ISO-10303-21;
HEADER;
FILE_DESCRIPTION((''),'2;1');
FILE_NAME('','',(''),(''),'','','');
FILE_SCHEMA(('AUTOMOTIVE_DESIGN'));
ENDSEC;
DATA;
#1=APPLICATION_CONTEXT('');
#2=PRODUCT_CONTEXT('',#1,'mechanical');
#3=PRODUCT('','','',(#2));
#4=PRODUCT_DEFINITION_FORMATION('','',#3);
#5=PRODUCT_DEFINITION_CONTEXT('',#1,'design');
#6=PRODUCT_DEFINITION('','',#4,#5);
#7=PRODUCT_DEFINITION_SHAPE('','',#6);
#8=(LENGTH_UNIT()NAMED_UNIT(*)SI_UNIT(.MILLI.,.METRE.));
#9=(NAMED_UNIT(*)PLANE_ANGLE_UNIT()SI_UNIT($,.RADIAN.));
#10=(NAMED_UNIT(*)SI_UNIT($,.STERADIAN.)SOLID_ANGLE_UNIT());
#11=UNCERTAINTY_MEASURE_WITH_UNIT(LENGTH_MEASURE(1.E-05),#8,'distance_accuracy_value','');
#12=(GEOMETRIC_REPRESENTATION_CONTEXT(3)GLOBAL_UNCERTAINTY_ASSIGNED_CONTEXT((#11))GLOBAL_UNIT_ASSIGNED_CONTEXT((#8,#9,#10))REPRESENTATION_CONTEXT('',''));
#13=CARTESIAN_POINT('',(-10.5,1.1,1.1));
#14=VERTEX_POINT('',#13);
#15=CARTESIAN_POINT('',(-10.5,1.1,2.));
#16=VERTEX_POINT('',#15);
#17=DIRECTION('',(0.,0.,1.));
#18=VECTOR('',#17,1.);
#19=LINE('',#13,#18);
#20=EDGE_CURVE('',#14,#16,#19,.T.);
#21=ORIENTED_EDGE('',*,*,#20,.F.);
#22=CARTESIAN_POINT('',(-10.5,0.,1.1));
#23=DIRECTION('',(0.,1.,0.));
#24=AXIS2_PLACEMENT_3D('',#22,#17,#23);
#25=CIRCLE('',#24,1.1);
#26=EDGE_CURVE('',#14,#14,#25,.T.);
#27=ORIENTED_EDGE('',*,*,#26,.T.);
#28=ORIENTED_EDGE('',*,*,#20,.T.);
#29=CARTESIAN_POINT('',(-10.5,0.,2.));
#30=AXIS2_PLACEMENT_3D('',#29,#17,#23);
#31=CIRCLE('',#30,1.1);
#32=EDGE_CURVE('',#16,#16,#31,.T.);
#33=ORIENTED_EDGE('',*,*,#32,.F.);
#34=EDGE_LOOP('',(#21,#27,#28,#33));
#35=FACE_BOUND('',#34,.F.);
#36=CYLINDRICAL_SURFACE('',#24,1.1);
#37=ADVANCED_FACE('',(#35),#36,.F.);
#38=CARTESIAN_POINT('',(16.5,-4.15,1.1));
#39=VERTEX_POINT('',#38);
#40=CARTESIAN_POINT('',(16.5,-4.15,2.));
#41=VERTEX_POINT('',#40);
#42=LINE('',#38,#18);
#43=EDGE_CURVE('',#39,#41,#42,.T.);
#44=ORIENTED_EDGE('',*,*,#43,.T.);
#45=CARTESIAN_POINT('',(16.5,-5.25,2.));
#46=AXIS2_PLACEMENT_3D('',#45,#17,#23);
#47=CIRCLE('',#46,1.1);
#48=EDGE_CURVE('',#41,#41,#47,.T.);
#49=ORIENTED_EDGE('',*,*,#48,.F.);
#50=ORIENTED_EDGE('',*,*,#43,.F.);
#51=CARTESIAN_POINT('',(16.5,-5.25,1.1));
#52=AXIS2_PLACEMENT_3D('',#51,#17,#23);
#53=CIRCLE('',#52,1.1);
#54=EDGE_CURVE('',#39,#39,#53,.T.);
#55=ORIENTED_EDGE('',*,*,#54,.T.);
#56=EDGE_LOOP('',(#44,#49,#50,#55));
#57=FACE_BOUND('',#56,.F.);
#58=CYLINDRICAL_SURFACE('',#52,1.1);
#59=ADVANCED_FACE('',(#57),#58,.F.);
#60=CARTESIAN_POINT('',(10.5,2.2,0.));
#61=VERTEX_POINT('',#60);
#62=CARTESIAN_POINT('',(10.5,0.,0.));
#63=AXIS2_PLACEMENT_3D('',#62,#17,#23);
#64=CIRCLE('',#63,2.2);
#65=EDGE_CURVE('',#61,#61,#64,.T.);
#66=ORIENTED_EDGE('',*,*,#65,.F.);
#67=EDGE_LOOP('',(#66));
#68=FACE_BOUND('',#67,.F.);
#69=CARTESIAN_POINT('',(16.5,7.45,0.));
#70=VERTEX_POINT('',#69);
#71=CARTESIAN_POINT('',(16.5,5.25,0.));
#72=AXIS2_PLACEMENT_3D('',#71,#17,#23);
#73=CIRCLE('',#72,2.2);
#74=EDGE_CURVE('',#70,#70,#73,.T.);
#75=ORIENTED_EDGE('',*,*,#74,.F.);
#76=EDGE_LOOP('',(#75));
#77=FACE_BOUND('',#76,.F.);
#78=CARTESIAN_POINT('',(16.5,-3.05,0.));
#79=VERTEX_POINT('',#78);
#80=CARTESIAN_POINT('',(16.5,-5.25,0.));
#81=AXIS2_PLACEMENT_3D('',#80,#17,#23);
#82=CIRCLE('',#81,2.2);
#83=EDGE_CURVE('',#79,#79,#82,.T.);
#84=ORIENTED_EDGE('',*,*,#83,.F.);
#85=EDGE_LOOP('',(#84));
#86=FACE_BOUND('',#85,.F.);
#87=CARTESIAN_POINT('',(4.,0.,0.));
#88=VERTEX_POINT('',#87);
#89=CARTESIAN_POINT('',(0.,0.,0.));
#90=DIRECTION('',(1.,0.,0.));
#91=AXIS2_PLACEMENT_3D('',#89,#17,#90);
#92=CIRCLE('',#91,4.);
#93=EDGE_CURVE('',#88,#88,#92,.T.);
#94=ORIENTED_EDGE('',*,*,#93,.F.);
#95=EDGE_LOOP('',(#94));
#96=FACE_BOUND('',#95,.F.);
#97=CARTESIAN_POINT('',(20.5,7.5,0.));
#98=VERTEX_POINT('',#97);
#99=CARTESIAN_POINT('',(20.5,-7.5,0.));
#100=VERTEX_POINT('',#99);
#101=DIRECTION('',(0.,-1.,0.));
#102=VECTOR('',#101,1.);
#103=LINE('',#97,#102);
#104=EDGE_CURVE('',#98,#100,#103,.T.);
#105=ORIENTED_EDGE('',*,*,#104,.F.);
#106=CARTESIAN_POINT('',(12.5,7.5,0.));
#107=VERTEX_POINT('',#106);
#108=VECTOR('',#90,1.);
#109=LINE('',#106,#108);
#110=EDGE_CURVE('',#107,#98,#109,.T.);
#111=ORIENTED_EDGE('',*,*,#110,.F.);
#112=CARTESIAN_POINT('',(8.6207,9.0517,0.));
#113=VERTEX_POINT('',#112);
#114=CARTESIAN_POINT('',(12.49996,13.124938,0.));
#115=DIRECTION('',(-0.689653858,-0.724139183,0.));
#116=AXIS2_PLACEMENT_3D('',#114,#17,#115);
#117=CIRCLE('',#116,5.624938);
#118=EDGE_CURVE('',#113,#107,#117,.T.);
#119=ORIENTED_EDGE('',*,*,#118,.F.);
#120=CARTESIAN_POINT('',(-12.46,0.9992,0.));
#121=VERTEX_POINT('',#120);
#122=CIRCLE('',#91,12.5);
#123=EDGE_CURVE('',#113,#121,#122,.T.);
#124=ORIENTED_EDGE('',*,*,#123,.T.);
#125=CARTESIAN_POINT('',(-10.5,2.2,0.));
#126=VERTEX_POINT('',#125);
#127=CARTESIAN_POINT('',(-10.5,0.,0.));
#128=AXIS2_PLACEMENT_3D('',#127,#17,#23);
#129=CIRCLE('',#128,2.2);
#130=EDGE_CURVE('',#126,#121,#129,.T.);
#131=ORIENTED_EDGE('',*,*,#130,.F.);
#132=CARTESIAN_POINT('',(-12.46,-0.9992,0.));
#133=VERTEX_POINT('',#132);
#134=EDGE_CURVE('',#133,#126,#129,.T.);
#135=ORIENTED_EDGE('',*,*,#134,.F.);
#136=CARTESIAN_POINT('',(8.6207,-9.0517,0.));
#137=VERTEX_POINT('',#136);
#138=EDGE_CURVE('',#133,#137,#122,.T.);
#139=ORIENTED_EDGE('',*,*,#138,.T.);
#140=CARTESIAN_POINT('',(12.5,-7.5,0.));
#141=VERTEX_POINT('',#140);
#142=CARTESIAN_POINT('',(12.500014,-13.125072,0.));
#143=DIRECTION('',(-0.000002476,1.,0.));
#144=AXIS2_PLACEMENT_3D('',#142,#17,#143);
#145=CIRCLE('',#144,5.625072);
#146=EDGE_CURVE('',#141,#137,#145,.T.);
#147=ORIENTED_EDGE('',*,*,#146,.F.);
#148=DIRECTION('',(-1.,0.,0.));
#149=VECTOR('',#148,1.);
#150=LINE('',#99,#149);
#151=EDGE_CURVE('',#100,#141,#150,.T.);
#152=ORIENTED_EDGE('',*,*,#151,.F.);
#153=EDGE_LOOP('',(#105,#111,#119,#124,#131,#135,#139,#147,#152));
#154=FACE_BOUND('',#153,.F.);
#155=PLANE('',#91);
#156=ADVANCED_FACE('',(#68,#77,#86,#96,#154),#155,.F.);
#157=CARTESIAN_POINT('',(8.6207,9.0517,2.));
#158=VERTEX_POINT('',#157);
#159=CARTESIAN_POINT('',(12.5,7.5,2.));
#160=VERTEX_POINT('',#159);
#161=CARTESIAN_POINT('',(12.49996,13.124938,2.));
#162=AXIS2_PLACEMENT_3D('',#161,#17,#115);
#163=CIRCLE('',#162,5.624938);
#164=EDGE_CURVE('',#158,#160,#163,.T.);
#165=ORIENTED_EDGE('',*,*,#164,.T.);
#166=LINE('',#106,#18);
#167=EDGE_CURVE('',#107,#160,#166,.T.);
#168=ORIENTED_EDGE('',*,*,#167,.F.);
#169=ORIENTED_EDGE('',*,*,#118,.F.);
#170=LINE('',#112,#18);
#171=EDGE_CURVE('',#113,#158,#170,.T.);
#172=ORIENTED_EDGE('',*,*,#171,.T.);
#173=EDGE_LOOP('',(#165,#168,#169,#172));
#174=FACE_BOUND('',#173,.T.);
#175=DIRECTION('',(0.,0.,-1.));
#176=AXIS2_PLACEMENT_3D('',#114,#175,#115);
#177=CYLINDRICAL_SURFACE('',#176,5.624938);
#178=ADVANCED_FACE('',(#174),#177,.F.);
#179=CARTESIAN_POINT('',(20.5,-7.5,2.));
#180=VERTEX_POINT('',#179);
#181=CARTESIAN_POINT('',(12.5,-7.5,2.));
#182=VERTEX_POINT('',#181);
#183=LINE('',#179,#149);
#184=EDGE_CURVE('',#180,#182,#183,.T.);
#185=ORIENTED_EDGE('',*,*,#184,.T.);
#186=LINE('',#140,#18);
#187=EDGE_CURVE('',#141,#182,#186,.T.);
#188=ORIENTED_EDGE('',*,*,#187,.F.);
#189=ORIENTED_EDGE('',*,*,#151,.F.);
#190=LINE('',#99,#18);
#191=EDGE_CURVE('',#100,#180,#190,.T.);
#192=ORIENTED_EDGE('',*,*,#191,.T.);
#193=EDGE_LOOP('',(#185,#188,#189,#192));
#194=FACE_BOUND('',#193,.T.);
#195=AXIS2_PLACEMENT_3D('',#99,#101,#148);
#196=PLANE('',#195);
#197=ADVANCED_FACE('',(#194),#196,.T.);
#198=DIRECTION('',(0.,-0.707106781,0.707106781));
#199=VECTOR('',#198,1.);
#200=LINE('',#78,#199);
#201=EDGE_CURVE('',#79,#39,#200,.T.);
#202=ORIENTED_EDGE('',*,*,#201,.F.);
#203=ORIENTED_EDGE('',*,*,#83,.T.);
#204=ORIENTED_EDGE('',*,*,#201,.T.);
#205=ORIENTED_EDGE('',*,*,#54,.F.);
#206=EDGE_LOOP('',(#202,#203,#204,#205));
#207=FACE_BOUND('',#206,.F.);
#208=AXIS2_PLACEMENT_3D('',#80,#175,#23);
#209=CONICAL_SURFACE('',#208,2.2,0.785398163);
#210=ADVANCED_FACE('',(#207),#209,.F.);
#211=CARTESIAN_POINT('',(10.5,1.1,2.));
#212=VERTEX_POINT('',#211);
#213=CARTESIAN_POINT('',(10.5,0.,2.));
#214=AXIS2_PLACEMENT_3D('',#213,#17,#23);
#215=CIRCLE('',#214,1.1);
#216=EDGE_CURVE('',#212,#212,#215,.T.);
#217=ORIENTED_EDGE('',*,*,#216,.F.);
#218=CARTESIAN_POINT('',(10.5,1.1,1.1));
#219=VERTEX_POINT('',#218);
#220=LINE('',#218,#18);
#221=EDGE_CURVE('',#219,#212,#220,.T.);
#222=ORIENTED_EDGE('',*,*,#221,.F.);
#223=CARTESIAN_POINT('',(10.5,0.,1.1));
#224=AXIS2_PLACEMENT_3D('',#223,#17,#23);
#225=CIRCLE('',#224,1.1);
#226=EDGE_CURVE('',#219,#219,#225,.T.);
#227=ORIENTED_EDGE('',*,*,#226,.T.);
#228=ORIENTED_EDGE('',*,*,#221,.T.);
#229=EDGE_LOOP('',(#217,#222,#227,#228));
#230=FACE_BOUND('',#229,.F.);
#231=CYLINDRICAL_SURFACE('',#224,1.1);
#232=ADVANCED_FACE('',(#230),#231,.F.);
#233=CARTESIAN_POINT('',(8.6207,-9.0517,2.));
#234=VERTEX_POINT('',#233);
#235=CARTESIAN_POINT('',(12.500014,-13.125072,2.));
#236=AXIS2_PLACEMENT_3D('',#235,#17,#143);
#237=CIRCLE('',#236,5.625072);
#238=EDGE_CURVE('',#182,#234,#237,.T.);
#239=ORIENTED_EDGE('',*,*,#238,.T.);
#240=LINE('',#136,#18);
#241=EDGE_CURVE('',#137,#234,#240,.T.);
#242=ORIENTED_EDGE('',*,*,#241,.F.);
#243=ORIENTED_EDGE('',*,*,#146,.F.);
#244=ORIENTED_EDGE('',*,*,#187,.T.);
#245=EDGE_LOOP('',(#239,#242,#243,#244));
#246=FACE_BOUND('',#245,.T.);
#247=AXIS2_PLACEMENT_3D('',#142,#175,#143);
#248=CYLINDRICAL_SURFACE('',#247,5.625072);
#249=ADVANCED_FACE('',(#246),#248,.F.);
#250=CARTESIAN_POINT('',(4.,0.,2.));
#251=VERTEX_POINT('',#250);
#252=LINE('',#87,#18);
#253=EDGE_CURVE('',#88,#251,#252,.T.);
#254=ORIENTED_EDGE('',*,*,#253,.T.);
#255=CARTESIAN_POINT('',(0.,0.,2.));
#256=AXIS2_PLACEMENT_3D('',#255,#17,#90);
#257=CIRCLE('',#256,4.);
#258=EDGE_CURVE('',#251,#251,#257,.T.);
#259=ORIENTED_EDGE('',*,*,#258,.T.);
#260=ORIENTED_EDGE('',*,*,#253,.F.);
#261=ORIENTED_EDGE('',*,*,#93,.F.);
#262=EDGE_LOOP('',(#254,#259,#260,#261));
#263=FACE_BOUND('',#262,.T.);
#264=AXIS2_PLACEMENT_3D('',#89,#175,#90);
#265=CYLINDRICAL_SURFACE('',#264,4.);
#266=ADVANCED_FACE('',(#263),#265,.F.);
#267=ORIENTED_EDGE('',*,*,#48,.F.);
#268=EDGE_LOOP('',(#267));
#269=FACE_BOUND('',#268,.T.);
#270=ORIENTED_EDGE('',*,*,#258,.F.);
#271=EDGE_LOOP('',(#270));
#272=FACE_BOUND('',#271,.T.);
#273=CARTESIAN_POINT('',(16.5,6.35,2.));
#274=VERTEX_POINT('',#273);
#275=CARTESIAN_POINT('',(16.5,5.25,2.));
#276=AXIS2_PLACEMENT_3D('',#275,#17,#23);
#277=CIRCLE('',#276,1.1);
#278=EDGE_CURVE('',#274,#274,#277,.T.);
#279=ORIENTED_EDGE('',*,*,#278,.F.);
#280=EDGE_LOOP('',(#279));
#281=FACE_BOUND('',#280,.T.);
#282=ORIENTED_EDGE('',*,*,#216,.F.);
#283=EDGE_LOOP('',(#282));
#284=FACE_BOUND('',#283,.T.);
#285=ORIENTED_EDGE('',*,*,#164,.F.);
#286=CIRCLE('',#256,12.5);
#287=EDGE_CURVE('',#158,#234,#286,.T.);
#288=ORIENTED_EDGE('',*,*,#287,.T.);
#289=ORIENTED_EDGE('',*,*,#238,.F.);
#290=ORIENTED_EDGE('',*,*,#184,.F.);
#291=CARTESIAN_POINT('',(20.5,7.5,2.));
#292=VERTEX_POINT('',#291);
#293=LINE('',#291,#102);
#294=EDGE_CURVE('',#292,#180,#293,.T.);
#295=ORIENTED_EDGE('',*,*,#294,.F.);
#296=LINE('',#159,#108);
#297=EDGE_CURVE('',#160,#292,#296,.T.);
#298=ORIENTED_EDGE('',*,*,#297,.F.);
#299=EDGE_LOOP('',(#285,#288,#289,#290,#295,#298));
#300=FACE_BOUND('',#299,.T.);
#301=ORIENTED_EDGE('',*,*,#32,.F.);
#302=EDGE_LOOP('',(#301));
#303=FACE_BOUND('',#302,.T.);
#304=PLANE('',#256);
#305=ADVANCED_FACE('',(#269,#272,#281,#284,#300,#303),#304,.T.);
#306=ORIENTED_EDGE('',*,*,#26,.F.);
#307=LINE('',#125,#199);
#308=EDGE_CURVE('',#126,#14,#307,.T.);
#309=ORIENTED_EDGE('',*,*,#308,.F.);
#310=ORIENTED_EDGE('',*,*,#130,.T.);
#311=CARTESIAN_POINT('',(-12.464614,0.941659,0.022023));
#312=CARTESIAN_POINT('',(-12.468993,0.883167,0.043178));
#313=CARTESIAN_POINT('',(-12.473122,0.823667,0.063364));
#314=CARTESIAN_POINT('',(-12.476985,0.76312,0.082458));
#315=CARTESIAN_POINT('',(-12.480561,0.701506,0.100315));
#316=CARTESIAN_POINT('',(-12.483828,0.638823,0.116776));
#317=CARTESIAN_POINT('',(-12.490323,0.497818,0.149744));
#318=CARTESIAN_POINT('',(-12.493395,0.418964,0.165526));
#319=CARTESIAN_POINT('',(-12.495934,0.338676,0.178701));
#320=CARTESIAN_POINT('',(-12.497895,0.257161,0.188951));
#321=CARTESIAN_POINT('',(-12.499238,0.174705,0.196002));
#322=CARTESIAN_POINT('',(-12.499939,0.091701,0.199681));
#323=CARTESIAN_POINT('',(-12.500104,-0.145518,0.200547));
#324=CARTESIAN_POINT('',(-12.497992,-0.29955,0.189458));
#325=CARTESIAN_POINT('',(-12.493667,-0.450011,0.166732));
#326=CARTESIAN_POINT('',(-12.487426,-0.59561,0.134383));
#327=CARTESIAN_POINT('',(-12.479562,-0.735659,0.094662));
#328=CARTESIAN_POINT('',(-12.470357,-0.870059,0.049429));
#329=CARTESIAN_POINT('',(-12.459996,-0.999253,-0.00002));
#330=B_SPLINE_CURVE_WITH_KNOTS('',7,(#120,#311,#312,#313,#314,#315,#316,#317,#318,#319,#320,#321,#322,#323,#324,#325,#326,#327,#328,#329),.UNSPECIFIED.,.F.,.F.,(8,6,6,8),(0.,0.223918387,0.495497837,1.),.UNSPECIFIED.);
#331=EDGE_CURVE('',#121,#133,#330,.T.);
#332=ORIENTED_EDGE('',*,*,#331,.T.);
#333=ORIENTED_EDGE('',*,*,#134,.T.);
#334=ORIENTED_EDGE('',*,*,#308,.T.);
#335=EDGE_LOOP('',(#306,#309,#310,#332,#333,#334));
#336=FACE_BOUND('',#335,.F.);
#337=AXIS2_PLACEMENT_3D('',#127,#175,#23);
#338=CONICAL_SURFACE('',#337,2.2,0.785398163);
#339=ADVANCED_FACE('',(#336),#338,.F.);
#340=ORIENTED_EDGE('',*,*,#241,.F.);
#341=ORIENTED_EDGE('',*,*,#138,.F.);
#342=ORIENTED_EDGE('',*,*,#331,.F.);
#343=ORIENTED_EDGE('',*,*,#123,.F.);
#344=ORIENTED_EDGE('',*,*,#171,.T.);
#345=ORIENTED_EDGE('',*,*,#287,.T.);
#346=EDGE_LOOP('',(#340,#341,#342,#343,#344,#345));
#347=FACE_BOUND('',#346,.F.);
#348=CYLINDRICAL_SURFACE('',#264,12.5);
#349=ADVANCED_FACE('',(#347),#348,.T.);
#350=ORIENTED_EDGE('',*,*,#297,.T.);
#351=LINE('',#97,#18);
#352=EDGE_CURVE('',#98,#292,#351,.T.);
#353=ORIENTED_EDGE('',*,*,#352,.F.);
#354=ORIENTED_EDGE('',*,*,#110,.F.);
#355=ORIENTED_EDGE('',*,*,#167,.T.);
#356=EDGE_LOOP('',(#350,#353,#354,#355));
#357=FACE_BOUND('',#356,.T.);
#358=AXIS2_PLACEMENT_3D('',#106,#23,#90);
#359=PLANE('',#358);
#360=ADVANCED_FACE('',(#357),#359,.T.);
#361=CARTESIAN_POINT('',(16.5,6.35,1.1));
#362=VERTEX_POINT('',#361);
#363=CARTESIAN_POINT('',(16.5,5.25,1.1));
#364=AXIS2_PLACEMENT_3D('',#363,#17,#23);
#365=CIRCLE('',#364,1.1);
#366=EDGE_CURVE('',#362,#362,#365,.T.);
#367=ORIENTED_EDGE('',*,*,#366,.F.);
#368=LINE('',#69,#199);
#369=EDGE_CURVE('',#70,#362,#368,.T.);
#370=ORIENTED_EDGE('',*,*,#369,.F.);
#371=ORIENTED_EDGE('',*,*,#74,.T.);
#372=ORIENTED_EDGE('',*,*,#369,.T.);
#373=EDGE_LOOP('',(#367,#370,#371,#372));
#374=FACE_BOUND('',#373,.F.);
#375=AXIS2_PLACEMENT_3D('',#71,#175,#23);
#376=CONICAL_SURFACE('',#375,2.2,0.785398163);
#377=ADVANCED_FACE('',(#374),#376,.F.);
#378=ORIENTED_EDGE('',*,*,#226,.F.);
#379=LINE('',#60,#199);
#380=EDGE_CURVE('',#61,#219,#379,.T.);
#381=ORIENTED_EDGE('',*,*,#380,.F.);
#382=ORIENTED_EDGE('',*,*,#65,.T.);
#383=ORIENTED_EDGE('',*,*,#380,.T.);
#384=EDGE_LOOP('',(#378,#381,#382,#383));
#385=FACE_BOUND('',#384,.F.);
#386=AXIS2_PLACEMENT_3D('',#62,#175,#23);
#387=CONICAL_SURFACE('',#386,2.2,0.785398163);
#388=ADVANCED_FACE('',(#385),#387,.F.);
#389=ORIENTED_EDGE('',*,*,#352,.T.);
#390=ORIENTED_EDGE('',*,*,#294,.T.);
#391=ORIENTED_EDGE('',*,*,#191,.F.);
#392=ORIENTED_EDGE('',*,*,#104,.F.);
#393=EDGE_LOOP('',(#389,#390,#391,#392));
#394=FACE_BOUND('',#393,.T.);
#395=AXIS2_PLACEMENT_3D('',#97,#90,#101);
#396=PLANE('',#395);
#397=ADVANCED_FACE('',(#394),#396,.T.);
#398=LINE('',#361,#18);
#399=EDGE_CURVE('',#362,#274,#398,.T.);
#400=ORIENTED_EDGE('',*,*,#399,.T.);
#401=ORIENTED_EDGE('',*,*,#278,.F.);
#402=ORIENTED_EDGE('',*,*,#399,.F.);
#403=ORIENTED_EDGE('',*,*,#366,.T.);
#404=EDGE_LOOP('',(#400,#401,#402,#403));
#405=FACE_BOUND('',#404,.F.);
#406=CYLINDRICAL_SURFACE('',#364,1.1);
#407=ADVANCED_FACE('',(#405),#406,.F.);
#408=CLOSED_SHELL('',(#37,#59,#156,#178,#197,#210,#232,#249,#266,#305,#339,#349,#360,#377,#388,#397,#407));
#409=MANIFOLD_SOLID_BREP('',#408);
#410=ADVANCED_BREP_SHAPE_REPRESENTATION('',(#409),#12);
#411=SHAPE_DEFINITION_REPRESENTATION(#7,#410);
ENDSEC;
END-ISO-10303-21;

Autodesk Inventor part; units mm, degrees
ref_plane "YZ Plane" through (0, 0, 0) normal (1, 0, 0) x (0, 1, 0)
ref_plane "XZ Plane" through (0, 0, 0) normal (0, 1, 0) x (-1, 0, 0)
ref_plane "XY Plane" through (0, 0, 0) normal (0, 0, 1) x (1, 0, 0)
sketch "Skizze1" plane through (0, 0, 0) normal (0, 0, 1) x (1, 0, 0)
  line L0 (0, 0) -> (20.5, 0) construction
  circle A0 centre (0, 0) radius 4
  arc A1 (8.6207, 9.0517) -> (12.5, 7.5) centre (12.5, 13.125) ccw
  arc A2 (12.5, -7.5) -> (8.6207, -9.0517) centre (12.5, -13.125) ccw
  line L1 (12.5, 7.5) -> (20.5, 7.5)
  line L2 (20.5, 7.5) -> (20.5, -7.5)
  line L3 (20.5, -7.5) -> (12.5, -7.5)
  line L4 (12.5, -7.5) -> (12.5, 7.5) construction
  circle A3 centre (0, 0) radius 10.5 construction
  line L5 (0, 0) -> (-10.5, 0) construction
  line L6 (16.5, 5.25) -> (16.5, -5.25) construction
  line L7 (16.5, 7.5) -> (16.5, -7.5) construction
  circle A4 centre (0, 0) radius 12.5
  point P0 (12.5, 0)
  point P1 (10.5, 0)
  point P2 (16.5, 0)
  dimension "d105" = 8
  dimension "d106" = 15
  dimension "LowerArm_ShaftFixation_Width" = 8
  dimension "d127" = 21
  dimension "d130" = 360
  dimension "d132" = 10.5
  dimension "d150" = 25
extrude "Grundprofil" add sketch "Skizze1" along normal blind 2
hole "Hole10" at (10.5, 0, 0) at (-10.5, 0, 0) direction (0, 0, 1) diameter 2.2 depth 12 tip angle 118 countersink diameter 4.4 countersink angle 90 clearance for "Countersunk Flat Head Screw DIN EN ISO 2009" size "M2" standard "DIN"
hole "Hole11" at (16.5, 5.25, 0) at (16.5, -5.25, 0) direction (0, 0, 1) diameter 2.2 depth 3 tip angle 118 countersink diameter 4.4 countersink angle 90 clearance for "Countersunk Raised Head Screw ISO 2010/7047" size "M2" standard "ISO"
properties part number "LowerArm_JointConnector_Prox_v2" material "Aluminum 6061"
